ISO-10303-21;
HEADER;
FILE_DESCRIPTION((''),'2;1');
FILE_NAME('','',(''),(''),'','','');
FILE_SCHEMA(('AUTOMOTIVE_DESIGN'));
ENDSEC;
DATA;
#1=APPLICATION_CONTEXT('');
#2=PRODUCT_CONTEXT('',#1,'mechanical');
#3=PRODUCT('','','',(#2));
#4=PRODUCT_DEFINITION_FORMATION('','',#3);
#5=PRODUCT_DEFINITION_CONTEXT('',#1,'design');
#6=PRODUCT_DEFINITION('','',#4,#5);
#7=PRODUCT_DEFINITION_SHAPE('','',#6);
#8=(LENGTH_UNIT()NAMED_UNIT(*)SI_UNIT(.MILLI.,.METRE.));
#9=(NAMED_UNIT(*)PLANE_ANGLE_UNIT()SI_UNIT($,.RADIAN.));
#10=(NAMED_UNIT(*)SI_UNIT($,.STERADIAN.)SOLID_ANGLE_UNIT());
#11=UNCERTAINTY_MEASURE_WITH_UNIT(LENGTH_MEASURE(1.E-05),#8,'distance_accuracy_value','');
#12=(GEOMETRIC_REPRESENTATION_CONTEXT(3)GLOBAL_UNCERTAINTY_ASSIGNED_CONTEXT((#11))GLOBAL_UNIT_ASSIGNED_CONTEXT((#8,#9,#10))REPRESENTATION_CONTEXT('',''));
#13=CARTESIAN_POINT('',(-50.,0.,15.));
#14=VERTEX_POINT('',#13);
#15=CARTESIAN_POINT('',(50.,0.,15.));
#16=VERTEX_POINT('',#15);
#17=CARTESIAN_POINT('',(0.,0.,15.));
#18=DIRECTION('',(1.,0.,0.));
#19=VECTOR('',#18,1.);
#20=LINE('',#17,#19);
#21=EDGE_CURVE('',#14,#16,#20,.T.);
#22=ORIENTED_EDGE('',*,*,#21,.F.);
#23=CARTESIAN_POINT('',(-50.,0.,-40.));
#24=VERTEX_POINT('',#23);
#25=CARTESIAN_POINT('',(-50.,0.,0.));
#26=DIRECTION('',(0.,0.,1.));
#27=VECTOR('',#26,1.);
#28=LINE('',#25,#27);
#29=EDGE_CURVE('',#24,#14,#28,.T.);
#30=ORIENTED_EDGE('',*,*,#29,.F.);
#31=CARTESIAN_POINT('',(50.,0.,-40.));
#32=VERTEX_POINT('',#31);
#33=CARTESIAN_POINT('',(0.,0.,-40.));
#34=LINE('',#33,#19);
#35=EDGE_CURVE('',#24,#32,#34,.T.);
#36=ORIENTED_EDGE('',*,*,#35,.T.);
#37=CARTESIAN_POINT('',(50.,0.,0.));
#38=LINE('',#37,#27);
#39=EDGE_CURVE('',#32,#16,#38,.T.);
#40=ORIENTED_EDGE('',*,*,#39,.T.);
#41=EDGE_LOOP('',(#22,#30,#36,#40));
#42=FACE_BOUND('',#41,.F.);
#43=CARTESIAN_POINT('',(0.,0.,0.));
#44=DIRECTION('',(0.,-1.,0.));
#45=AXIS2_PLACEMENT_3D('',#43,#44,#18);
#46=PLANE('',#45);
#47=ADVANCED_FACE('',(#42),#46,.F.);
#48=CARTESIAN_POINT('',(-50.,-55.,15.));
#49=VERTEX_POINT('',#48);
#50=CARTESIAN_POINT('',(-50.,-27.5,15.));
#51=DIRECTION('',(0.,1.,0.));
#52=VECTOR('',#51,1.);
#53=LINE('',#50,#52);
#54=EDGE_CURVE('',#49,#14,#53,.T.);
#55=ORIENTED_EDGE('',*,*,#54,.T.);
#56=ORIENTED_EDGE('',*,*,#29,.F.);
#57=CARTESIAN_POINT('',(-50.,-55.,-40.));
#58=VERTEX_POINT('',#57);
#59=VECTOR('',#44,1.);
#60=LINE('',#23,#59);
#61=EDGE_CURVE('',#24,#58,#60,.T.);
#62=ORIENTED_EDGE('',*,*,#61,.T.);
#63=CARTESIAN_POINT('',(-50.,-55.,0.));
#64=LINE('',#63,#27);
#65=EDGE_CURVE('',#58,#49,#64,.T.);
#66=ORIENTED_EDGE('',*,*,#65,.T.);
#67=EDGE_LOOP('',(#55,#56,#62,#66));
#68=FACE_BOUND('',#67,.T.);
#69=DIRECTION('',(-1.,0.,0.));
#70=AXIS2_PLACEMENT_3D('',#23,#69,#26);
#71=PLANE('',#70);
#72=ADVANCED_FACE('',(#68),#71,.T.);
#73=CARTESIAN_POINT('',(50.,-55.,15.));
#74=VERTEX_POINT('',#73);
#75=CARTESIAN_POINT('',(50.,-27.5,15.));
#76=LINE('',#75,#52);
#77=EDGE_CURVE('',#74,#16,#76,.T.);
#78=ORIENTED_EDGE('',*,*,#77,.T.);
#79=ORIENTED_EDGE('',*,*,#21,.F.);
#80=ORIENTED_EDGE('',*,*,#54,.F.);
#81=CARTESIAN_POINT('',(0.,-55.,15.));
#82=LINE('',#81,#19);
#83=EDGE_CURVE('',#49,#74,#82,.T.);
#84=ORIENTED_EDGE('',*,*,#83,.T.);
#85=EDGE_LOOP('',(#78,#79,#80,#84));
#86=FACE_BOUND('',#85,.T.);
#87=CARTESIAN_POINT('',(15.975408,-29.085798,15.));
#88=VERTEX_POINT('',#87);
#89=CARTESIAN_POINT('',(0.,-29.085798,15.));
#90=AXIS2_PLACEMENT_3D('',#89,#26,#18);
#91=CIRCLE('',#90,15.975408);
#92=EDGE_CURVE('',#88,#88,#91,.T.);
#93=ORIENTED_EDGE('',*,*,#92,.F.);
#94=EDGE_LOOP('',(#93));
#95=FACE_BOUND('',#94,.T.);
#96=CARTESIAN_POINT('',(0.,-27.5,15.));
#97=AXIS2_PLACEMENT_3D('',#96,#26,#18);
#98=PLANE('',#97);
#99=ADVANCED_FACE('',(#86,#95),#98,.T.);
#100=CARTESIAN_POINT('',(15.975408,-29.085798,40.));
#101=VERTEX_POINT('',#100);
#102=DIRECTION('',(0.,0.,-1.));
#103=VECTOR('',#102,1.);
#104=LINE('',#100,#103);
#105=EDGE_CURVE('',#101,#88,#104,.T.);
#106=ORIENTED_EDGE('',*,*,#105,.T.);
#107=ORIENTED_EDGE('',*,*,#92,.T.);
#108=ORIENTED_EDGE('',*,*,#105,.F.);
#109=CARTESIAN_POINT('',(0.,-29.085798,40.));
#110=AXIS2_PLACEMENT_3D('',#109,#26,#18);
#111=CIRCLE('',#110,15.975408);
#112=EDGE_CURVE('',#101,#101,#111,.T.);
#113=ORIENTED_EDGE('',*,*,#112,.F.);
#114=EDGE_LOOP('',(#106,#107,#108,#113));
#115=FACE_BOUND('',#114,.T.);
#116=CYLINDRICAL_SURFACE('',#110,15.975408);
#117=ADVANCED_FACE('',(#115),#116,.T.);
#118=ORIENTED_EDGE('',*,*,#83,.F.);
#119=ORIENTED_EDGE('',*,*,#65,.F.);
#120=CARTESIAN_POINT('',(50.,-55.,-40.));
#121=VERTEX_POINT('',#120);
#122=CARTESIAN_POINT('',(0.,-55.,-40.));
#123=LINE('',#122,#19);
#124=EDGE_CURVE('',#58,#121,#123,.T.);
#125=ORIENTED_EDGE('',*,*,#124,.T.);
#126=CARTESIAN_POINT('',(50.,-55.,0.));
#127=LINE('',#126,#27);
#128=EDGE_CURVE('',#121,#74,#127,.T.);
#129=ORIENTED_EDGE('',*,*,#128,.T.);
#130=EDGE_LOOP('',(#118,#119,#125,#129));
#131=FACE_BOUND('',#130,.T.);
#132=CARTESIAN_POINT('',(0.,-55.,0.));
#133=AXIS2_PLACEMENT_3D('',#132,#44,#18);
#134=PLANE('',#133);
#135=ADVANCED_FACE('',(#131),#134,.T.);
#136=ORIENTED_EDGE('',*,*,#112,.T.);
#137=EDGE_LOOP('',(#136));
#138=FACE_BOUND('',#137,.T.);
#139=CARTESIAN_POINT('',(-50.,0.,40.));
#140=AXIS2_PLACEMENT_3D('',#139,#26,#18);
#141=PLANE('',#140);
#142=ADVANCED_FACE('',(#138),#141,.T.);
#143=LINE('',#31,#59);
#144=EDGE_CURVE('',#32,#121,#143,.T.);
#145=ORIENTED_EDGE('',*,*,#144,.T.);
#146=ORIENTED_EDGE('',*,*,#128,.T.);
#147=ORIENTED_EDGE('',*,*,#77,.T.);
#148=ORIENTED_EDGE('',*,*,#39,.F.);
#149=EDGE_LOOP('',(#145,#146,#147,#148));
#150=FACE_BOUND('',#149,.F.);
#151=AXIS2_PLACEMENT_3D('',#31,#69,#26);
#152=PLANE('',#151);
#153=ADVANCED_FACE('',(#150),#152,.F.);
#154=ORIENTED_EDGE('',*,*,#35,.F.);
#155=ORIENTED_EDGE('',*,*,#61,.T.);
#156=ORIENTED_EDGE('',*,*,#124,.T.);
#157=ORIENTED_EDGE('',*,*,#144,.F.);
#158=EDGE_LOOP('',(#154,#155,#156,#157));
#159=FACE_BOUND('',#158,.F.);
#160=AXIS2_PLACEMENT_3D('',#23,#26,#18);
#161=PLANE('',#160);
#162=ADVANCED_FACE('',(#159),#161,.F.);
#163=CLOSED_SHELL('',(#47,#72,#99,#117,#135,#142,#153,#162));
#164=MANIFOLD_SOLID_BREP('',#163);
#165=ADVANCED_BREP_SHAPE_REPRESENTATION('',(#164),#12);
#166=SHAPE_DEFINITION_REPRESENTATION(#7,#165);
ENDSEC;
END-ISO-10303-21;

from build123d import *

# Parameters (mm, degrees)
F0_W     = 100
F0_H     = 80
F1_DEPTH = 55
F2_W     = 100
F2_H     = 55
F2_R     = 15.975408
F3_DEPTH = 25


with BuildPart() as f1:
    # F0 (on Front) → F1 (new body)
    with BuildSketch(Plane.XZ):
        Rectangle(F0_W, F0_H)
    extrude(amount=F1_DEPTH)

    # F2 (on face) → F3 (cut)
    with BuildSketch(Plane.XY.offset(40)):
        with Locations((0, -27.5)):
            Rectangle(F2_W, F2_H)
        with Locations((0, -29.085798)):
            Circle(F2_R, mode=Mode.SUBTRACT)
    extrude(amount=-F3_DEPTH, mode=Mode.SUBTRACT)


solid = f1.part
